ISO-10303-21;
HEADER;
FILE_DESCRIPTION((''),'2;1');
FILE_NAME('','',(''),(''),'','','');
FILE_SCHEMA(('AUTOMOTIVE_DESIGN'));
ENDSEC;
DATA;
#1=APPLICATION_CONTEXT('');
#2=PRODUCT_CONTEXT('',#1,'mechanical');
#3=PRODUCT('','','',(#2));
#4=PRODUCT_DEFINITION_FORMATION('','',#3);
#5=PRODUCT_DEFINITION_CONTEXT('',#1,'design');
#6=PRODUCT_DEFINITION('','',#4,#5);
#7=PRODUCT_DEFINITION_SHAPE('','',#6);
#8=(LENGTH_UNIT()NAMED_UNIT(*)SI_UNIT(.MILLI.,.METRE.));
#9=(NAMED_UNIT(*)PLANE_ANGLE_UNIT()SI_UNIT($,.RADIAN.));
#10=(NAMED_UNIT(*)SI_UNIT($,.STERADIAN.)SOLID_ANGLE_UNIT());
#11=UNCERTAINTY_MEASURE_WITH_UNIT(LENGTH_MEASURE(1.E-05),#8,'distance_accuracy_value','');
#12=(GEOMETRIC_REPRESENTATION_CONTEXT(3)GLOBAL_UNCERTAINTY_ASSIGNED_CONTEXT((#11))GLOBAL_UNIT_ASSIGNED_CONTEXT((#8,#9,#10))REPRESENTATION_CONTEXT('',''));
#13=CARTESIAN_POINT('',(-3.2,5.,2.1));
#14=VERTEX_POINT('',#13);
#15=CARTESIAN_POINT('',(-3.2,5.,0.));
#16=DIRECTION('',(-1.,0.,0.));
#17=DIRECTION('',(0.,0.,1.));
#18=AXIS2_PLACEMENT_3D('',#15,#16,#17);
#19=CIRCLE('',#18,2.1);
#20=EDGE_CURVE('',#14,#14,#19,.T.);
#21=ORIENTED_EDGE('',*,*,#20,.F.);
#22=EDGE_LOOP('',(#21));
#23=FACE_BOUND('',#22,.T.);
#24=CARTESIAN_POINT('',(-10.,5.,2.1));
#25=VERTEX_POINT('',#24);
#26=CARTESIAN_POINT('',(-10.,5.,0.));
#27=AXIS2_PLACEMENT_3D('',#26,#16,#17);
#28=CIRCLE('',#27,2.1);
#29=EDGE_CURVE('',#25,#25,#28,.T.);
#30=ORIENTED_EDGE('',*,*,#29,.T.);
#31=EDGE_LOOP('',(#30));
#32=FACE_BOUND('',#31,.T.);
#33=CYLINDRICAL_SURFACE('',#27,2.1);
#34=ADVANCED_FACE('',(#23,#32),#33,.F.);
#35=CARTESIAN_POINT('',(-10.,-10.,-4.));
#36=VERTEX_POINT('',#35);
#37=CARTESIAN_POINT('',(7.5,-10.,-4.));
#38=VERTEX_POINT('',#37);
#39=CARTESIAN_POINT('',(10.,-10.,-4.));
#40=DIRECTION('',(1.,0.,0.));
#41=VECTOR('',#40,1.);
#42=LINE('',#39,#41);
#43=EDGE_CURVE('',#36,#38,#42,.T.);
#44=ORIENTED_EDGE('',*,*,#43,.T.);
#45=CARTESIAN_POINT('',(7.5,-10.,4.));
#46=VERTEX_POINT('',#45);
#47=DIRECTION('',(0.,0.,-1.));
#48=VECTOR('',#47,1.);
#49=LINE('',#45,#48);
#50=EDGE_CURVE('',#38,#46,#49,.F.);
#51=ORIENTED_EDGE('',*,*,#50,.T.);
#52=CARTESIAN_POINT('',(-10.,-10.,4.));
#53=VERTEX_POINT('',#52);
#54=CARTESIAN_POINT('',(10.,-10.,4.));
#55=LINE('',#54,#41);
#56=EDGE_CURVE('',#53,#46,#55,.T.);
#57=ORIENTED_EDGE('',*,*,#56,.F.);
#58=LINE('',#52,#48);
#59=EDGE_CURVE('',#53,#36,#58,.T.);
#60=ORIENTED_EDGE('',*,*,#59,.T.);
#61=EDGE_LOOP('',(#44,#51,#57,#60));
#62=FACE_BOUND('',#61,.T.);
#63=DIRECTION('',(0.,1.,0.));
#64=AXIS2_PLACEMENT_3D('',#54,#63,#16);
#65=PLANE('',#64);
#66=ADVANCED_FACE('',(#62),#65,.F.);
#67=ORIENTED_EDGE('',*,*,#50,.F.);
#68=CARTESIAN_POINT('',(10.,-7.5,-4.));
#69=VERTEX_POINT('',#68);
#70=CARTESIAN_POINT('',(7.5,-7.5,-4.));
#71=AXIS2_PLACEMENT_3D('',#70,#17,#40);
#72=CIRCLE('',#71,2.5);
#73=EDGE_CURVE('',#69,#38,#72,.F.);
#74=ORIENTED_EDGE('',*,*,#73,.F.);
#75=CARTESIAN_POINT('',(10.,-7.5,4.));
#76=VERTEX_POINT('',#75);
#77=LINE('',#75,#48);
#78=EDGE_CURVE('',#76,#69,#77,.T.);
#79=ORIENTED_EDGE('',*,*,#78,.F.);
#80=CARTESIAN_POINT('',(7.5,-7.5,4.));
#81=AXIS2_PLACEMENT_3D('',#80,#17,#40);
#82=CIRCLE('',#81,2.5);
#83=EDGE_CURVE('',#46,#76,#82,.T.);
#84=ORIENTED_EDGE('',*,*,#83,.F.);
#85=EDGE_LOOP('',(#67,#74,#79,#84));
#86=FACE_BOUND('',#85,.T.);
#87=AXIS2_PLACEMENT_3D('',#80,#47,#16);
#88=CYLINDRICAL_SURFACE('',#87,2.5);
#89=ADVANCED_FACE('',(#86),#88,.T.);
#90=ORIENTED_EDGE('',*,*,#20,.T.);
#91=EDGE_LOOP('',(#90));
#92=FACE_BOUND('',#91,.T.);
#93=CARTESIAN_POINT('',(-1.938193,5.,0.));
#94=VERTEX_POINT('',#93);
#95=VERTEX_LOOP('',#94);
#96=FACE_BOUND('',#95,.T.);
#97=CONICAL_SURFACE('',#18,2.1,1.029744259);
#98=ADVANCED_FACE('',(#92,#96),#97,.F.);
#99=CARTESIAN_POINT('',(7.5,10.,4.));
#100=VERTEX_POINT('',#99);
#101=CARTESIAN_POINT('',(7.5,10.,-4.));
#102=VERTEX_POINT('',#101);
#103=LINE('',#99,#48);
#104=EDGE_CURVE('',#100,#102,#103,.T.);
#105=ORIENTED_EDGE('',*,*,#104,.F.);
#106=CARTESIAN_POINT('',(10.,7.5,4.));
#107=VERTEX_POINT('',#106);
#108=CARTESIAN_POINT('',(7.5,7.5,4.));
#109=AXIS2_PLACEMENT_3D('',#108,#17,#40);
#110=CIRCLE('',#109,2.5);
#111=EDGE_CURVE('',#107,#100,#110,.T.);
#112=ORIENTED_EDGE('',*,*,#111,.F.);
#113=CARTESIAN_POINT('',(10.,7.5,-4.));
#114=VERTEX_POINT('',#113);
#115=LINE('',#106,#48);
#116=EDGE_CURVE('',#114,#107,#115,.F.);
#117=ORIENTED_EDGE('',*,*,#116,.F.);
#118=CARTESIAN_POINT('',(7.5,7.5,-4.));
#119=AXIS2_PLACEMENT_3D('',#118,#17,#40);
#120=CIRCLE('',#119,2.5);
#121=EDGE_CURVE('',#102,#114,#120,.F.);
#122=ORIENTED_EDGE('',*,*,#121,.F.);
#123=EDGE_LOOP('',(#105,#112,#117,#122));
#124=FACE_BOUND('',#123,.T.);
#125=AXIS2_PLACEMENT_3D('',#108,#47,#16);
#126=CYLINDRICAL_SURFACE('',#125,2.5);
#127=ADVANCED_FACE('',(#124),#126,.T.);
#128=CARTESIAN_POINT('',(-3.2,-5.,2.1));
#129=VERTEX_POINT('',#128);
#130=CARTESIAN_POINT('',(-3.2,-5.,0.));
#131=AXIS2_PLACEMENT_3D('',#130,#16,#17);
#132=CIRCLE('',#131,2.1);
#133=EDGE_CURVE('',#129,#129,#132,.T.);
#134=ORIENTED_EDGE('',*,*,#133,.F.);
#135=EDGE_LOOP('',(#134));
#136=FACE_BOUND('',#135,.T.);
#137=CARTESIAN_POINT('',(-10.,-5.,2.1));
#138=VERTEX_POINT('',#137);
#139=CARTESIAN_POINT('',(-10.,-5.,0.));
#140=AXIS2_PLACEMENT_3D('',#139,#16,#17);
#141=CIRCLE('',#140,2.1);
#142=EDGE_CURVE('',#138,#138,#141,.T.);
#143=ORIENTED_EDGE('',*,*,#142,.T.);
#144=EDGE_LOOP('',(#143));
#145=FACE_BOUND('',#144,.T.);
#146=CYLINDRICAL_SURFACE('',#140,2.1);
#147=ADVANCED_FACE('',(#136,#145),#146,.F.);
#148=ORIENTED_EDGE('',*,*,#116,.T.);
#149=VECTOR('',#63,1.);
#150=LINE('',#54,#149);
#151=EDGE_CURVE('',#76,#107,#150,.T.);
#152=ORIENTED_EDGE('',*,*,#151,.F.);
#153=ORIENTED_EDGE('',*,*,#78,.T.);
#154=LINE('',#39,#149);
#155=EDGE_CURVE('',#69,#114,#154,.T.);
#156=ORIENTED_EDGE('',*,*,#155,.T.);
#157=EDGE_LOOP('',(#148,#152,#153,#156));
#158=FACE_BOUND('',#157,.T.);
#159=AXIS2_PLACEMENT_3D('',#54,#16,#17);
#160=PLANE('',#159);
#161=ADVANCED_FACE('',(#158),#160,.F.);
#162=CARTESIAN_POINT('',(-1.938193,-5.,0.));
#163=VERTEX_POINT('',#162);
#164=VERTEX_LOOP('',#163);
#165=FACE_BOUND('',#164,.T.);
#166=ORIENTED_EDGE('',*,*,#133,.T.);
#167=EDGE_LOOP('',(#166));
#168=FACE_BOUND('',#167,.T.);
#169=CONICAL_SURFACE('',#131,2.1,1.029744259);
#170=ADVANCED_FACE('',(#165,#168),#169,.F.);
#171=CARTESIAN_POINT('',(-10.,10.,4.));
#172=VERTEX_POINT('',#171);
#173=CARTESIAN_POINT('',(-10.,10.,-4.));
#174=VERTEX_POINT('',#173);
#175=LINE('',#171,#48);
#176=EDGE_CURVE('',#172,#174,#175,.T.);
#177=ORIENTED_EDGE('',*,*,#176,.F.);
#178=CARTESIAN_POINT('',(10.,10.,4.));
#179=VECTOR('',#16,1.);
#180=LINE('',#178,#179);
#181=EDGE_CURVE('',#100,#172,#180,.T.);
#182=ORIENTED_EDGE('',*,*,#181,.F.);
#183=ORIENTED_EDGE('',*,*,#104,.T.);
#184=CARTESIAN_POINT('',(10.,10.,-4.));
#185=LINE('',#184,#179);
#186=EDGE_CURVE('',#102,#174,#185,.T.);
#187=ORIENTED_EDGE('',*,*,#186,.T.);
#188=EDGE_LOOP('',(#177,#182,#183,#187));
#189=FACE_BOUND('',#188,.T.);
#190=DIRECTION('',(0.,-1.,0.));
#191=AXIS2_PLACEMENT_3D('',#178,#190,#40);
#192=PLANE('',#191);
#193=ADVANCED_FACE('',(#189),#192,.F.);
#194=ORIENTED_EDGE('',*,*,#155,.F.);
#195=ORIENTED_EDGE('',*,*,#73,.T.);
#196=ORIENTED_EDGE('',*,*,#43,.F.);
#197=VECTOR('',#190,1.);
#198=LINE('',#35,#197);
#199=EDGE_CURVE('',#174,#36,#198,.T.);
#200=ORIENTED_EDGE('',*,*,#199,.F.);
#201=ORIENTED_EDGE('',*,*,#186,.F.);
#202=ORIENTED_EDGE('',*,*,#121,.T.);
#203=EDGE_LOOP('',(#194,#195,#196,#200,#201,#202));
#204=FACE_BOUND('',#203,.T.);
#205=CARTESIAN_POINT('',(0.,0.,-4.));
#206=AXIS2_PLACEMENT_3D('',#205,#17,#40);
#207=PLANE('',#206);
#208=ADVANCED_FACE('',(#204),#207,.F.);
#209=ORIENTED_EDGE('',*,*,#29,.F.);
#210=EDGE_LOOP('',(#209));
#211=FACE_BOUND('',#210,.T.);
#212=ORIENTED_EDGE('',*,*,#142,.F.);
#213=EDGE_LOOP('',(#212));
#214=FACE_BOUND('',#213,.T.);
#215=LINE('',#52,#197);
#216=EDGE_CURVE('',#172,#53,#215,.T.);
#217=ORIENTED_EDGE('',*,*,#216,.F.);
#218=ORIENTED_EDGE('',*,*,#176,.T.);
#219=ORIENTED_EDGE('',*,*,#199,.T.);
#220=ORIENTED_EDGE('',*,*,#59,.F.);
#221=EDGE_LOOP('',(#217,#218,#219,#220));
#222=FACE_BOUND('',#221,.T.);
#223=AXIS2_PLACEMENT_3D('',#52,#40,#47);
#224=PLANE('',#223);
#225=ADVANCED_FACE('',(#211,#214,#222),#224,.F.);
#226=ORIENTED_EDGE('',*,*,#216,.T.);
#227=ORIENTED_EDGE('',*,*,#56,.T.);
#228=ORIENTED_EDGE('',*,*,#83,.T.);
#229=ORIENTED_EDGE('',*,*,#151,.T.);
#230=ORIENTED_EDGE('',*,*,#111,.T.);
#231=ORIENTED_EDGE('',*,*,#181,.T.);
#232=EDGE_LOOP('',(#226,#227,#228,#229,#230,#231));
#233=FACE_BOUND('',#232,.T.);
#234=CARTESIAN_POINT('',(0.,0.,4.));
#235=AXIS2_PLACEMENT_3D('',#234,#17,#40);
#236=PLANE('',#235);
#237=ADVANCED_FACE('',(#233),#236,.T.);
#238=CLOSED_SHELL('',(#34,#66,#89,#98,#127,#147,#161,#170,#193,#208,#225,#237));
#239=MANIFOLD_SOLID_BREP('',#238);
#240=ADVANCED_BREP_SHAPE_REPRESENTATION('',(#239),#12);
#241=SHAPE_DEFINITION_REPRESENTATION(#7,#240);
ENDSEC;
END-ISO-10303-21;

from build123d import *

# Parameters (mm, degrees)
SKETCH2_W                              = 20
SKETCH2_H                              = 20
BOSS_EXTRUDE1_DEPTH                    = 4
FILLET1_R                              = 2.5
TAPPED_HOLE_FOR_M4X0_7_HELICOIL1_D     = 4.2
TAPPED_HOLE_FOR_M4X0_7_HELICOIL1_DEPTH = 6.8
TAPPED_HOLE_FOR_M4X0_7_HELICOIL1_TIP   = 1.2618073


with BuildPart() as part:
    # Sketch2 → Boss-Extrude1 (new, symmetric)
    with BuildSketch(Plane.XY):
        Rectangle(SKETCH2_W, SKETCH2_H)
    extrude(amount=BOSS_EXTRUDE1_DEPTH, both=True)

    # Fillet1
    fillet1_edges = [part.edges().sort_by_distance(p)[0] for p in [
        (10, 10, 0),
        (10, -10, 0),
    ]]
    fillet(fillet1_edges, radius=FILLET1_R)

    # Tapped Hole for M4x0.7 Helicoil1
    with Locations(Plane.ZY.offset(10)):
        with Locations((0, 5), (0, -5)):
            Hole(TAPPED_HOLE_FOR_M4X0_7_HELICOIL1_D / 2, depth=TAPPED_HOLE_FOR_M4X0_7_HELICOIL1_DEPTH)
            with Locations((0, 0, -(TAPPED_HOLE_FOR_M4X0_7_HELICOIL1_DEPTH + TAPPED_HOLE_FOR_M4X0_7_HELICOIL1_TIP / 2))):  # 118° drill point
                Cone(0, TAPPED_HOLE_FOR_M4X0_7_HELICOIL1_D / 2, TAPPED_HOLE_FOR_M4X0_7_HELICOIL1_TIP, mode=Mode.SUBTRACT)


solid = part.part
